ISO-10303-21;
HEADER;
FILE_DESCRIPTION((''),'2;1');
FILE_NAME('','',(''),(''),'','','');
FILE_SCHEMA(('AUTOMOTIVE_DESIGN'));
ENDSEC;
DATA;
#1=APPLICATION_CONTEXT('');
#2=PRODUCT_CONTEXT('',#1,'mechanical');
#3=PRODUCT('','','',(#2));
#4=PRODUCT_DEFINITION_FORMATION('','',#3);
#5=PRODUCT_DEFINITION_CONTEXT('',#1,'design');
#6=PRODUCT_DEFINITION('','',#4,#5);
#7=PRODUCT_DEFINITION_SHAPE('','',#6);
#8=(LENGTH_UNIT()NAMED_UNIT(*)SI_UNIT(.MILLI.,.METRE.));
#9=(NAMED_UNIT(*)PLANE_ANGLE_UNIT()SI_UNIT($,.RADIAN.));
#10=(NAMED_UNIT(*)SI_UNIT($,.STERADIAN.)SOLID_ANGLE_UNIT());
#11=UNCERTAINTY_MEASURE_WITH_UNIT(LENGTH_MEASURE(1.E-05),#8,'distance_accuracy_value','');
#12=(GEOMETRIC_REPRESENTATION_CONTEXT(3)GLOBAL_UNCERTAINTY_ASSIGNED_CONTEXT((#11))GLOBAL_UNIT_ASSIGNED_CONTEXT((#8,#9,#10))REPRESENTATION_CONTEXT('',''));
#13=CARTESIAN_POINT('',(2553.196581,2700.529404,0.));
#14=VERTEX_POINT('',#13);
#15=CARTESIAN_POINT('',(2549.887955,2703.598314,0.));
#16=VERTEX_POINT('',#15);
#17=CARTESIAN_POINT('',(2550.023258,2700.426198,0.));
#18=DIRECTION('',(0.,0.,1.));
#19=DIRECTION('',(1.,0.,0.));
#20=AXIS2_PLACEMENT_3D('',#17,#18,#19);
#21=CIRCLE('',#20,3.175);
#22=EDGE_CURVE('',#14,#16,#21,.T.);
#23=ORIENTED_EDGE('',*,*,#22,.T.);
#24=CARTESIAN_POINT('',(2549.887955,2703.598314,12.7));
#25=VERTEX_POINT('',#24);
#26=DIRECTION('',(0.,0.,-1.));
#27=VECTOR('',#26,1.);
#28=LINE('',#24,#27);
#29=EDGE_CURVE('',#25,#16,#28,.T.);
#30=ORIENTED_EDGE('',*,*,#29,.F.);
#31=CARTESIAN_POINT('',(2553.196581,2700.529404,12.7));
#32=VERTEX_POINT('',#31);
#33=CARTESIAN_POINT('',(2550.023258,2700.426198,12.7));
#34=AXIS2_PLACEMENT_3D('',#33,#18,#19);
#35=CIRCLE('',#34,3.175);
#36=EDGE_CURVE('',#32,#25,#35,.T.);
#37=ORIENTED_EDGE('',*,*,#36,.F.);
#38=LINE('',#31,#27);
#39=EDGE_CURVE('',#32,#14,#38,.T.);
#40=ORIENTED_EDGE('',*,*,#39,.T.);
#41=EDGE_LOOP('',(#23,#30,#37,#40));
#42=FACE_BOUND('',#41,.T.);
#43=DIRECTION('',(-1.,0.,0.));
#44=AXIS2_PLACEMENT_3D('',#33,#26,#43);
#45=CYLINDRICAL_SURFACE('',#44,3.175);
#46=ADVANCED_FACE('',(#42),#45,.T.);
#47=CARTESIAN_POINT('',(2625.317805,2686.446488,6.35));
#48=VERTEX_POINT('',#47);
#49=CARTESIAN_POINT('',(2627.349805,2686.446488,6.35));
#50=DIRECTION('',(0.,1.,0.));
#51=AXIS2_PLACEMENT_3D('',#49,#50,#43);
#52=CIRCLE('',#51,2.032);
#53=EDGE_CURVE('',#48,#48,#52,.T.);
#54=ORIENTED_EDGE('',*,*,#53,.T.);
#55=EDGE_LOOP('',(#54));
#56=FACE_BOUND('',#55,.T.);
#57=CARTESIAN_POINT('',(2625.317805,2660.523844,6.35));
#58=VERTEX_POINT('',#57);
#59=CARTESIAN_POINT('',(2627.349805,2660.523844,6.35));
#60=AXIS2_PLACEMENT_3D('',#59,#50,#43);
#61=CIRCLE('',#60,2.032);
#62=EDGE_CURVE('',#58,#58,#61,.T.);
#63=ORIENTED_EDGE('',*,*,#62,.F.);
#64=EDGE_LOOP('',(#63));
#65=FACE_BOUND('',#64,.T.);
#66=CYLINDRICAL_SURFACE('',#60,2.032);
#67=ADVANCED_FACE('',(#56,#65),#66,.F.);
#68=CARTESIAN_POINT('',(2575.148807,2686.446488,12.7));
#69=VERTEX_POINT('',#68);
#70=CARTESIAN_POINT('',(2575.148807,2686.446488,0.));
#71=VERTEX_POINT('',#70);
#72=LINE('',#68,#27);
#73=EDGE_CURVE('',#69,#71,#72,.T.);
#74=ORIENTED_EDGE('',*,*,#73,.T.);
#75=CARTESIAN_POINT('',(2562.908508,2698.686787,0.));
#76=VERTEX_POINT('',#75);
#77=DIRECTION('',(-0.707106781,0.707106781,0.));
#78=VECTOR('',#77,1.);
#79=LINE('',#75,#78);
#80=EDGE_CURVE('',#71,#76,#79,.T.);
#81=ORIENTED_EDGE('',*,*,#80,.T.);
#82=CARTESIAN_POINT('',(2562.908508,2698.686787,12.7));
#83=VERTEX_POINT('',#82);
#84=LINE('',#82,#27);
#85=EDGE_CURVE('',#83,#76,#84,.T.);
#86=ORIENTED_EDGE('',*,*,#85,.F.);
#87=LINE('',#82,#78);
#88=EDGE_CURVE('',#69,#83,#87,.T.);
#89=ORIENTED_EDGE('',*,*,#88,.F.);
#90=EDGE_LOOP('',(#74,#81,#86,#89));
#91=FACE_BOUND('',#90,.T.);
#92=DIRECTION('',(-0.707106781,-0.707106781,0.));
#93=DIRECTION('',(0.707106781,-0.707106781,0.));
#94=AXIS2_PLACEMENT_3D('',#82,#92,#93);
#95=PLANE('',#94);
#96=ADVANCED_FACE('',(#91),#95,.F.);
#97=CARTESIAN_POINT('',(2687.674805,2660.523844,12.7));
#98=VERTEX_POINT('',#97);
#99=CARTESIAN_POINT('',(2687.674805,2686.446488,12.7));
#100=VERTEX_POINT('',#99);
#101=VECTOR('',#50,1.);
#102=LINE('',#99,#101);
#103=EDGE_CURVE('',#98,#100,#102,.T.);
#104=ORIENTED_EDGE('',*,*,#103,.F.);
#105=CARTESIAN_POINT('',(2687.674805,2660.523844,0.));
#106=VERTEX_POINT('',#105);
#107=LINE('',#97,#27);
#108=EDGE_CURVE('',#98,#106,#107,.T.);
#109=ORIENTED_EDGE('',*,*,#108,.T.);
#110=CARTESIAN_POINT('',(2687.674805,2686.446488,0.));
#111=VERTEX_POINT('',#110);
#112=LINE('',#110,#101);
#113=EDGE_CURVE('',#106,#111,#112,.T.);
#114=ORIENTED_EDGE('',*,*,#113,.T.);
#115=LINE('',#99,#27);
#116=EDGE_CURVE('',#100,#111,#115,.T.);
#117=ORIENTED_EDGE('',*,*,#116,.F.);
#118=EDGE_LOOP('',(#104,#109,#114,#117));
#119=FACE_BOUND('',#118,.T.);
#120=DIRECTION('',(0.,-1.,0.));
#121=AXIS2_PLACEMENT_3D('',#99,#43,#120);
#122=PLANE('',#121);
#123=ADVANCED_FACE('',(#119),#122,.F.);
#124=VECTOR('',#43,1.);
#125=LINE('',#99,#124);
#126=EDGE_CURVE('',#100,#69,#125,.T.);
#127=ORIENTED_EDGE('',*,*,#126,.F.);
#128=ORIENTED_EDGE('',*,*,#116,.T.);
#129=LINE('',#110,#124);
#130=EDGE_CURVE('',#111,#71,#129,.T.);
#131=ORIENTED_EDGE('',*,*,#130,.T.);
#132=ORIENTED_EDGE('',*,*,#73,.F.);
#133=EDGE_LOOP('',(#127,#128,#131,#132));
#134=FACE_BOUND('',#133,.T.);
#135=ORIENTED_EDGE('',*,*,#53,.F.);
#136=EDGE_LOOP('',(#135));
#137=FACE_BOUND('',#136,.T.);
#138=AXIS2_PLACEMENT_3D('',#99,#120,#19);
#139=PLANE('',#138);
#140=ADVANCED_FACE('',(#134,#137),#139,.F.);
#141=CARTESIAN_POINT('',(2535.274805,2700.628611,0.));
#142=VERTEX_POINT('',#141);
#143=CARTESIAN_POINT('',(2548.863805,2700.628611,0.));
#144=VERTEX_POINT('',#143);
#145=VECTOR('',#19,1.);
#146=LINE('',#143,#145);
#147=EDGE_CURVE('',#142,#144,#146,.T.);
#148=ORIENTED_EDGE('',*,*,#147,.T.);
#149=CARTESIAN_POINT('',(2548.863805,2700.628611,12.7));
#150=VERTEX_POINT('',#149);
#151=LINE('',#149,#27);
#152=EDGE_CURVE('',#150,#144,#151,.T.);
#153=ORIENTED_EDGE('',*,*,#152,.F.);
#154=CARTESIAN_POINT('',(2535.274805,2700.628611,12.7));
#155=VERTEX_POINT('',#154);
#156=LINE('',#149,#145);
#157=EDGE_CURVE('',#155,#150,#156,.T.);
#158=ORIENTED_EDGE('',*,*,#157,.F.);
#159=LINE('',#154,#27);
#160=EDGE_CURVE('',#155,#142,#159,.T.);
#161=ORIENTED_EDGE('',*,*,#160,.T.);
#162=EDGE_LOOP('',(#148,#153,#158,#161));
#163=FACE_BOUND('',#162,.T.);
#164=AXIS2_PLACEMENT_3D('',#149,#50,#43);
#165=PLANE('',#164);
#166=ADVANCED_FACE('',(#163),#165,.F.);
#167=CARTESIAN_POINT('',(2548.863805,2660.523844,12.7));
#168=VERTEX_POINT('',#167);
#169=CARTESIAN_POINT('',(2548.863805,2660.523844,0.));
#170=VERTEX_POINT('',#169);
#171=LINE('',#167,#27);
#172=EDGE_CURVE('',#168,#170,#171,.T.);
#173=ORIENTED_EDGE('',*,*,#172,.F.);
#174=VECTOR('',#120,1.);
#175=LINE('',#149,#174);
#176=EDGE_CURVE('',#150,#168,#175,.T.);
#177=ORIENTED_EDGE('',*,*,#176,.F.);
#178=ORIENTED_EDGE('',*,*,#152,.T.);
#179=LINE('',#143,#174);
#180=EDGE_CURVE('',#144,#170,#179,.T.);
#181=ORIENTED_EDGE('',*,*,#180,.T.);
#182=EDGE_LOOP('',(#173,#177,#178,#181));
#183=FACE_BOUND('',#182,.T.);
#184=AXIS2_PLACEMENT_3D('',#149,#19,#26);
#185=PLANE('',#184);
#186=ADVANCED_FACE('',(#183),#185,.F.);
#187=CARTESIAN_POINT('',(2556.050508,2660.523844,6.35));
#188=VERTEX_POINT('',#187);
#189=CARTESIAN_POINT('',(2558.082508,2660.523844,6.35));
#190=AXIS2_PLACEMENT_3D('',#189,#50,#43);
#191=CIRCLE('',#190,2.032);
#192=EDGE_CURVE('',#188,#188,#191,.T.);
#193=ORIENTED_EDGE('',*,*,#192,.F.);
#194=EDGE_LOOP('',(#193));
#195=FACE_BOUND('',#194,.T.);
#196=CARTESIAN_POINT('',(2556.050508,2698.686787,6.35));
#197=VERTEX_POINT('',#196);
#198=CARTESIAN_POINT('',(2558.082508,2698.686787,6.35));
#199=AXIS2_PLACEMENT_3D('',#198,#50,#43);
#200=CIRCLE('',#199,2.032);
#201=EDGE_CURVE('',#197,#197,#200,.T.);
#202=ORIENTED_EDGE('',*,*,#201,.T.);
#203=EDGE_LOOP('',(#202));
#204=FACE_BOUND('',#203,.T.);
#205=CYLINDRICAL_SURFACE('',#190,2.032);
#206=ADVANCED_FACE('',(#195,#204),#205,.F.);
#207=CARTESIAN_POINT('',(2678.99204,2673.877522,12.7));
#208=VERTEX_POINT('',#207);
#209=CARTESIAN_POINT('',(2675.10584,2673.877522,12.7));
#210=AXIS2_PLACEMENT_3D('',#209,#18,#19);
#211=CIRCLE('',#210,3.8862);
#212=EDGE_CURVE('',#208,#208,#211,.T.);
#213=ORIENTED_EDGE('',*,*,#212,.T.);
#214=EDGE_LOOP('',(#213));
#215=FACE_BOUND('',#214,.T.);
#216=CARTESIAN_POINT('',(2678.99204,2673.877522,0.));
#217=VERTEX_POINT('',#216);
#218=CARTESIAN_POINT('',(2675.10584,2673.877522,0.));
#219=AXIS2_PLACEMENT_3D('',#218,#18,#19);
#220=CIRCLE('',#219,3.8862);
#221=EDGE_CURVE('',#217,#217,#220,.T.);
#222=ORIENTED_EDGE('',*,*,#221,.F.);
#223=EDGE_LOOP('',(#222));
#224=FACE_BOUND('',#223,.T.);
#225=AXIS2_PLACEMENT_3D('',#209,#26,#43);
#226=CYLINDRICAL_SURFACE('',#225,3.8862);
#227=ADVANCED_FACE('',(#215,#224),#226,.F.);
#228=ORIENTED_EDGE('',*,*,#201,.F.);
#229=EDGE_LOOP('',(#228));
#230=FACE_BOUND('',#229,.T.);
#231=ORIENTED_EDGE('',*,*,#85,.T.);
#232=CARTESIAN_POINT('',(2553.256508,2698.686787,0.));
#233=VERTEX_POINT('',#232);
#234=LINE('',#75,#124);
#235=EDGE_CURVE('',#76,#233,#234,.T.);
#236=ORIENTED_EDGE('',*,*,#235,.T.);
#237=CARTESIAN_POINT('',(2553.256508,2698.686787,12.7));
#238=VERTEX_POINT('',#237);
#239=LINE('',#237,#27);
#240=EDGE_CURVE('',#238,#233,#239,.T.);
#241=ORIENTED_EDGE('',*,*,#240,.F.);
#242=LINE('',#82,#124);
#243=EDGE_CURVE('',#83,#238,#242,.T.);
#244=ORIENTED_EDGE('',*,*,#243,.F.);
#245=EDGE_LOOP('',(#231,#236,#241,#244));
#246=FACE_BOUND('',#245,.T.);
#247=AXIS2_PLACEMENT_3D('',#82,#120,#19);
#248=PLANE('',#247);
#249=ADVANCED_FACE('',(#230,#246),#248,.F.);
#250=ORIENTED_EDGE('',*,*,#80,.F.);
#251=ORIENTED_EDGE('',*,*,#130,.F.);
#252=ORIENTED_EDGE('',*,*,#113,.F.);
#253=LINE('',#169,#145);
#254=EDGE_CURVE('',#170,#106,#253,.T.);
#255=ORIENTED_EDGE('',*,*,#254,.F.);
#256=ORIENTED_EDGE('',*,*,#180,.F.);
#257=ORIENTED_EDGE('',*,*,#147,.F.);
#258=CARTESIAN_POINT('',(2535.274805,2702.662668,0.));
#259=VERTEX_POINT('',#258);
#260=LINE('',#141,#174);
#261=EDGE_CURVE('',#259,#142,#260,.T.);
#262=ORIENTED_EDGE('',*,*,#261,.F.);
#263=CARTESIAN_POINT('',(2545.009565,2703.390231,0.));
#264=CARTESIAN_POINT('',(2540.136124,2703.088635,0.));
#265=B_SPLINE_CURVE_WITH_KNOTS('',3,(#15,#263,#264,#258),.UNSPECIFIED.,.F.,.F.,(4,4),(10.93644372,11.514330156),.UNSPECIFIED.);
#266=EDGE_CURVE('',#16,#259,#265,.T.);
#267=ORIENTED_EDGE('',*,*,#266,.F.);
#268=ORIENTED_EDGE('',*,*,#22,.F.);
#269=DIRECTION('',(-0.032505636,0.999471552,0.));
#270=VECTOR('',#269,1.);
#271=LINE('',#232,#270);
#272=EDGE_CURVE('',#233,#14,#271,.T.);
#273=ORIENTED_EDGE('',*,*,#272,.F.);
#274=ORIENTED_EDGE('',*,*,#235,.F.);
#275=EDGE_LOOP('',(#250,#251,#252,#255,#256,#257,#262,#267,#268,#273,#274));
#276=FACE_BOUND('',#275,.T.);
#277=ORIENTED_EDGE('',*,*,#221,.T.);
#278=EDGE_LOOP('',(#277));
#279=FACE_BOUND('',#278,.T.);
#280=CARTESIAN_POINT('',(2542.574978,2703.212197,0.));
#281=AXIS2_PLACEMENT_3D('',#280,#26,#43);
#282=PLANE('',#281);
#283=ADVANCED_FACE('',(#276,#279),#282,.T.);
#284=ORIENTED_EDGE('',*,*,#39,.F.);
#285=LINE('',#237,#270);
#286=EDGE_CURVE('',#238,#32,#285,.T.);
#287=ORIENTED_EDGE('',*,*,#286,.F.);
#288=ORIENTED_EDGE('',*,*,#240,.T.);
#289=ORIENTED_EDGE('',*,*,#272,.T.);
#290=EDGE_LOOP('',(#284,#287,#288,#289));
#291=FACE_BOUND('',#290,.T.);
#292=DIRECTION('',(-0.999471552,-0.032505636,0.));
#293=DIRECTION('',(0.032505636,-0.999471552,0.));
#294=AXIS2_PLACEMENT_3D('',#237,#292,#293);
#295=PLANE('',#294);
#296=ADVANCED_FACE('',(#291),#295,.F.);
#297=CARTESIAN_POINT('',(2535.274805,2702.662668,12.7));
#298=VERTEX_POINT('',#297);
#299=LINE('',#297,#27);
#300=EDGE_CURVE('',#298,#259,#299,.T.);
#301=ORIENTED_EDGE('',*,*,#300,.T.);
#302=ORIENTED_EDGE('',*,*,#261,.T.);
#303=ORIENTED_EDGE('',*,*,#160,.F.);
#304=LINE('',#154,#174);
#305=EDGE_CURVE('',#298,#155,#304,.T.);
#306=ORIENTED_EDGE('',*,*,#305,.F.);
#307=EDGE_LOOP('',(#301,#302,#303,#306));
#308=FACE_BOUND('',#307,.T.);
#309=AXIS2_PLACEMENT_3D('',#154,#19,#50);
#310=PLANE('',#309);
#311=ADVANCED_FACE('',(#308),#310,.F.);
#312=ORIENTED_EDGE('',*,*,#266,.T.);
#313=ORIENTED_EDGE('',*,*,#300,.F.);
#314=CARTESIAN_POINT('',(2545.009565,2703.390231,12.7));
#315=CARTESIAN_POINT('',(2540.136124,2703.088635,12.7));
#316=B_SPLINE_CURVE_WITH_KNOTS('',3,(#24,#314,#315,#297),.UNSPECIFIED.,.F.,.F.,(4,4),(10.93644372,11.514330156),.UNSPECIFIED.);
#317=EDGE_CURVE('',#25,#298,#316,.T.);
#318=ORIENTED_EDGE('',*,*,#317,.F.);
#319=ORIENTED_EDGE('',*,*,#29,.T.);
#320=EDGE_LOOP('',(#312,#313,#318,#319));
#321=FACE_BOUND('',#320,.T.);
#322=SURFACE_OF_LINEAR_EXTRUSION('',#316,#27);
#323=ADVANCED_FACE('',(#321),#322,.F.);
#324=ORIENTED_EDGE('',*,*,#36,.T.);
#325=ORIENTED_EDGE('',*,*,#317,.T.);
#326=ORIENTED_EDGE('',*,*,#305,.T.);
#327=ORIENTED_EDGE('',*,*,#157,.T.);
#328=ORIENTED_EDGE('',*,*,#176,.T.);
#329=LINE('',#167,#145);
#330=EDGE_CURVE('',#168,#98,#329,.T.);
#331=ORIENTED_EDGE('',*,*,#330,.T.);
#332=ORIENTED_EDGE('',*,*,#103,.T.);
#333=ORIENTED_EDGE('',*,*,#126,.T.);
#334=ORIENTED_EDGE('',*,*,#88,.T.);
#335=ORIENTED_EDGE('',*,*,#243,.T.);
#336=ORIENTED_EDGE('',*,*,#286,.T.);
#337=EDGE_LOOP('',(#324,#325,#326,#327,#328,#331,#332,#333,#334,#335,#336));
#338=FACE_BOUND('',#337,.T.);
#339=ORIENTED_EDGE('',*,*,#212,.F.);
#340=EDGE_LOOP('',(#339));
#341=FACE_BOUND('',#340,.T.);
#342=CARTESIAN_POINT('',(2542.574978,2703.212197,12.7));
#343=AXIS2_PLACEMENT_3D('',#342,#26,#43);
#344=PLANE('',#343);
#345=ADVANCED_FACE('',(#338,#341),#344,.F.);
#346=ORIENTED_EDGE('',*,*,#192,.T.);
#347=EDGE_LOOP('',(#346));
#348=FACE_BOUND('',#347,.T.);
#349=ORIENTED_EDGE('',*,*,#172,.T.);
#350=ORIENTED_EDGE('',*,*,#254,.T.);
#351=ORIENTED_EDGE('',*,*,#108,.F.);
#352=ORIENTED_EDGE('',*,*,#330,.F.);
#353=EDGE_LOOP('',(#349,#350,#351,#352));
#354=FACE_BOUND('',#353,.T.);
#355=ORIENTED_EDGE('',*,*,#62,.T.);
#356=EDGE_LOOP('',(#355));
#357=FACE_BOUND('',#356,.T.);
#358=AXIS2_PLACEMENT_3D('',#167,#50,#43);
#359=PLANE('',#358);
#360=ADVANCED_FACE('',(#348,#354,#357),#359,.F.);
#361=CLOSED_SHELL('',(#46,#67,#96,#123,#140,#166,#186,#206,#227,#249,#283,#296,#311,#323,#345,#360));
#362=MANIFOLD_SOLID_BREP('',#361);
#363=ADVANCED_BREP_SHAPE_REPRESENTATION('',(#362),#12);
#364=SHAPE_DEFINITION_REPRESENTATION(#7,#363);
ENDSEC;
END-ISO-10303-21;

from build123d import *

# Parameters (mm, degrees)
SKETCH1_R           = 3.8862
BOSS_EXTRUDE1_DEPTH = 12.7
SKETCH2_R           = 2.032
CUT_EXTRUDE1_DEPTH  = 2688.829818218
SKETCH3_R           = 2.032
CUT_EXTRUDE2_DEPTH  = 2688.975736213


with BuildPart() as part:
    # Sketch1 → Boss-Extrude1 (new body)
    with BuildSketch(Plane.XY):
        with BuildLine():
            Line((2687.674805049, 2686.446487648), (2687.674805049, 2660.523843887))
            Line((2687.674805049, 2660.523843887), (2548.863805049, 2660.523843887))
            Line((2548.863805049, 2660.523843887), (2548.863805049, 2700.62861103))
            Line((2548.863805049, 2700.62861103), (2535.274805049, 2700.62861103))
            Line((2535.274805049, 2700.62861103), (2535.274805049, 2702.662667964))
            add(Edge.make_bspline(
                [(2549.887954959, 2703.598313804), (2545.009565075, 2703.390230841), (2540.136123501, 2703.088635053), (2535.274805049, 2702.662667964)],
                knots=[10.93644372, 10.93644372, 10.93644372, 10.93644372, 11.514330156, 11.514330156, 11.514330156, 11.514330156], degree=3))
            ThreePointArc((2549.887954959, 2703.598313804), (2552.182411528, 2702.754004596), (2553.196580638, 2700.529403507))
            Line((2553.196580638, 2700.529403507), (2553.256507729, 2698.686786983))
            Line((2553.256507729, 2698.686786983), (2562.908507729, 2698.686786983))
            Line((2562.908507729, 2698.686786983), (2575.148807064, 2686.446487648))
            Line((2575.148807064, 2686.446487648), (2687.674805049, 2686.446487648))
        make_face()
        with Locations((2675.105839614, 2673.877522213)):
            Circle(SKETCH1_R, mode=Mode.SUBTRACT)
    extrude(amount=BOSS_EXTRUDE1_DEPTH)

    # Sketch2 → Cut-Extrude1 (cut, through all)
    with BuildSketch(Plane(origin=(0, 2686.446487648, 0), x_dir=(1, 0, 0), z_dir=(0, 1, 0))):
        with Locations(Location((2627.349805049, -6.35, 0), (0, 0, 180))):
            Circle(SKETCH2_R)
    extrude(amount=-CUT_EXTRUDE1_DEPTH, mode=Mode.SUBTRACT)

    # Sketch3 → Cut-Extrude2 (cut, through all)
    with BuildSketch(Plane(origin=(0, 2698.686786983, 0), x_dir=(1, 0, 0), z_dir=(0, 1, 0))):
        with Locations(Location((2558.082507729, -6.35, 0), (0, 0, 180))):
            Circle(SKETCH3_R)
    extrude(amount=-CUT_EXTRUDE2_DEPTH, mode=Mode.SUBTRACT)


solid = part.part
